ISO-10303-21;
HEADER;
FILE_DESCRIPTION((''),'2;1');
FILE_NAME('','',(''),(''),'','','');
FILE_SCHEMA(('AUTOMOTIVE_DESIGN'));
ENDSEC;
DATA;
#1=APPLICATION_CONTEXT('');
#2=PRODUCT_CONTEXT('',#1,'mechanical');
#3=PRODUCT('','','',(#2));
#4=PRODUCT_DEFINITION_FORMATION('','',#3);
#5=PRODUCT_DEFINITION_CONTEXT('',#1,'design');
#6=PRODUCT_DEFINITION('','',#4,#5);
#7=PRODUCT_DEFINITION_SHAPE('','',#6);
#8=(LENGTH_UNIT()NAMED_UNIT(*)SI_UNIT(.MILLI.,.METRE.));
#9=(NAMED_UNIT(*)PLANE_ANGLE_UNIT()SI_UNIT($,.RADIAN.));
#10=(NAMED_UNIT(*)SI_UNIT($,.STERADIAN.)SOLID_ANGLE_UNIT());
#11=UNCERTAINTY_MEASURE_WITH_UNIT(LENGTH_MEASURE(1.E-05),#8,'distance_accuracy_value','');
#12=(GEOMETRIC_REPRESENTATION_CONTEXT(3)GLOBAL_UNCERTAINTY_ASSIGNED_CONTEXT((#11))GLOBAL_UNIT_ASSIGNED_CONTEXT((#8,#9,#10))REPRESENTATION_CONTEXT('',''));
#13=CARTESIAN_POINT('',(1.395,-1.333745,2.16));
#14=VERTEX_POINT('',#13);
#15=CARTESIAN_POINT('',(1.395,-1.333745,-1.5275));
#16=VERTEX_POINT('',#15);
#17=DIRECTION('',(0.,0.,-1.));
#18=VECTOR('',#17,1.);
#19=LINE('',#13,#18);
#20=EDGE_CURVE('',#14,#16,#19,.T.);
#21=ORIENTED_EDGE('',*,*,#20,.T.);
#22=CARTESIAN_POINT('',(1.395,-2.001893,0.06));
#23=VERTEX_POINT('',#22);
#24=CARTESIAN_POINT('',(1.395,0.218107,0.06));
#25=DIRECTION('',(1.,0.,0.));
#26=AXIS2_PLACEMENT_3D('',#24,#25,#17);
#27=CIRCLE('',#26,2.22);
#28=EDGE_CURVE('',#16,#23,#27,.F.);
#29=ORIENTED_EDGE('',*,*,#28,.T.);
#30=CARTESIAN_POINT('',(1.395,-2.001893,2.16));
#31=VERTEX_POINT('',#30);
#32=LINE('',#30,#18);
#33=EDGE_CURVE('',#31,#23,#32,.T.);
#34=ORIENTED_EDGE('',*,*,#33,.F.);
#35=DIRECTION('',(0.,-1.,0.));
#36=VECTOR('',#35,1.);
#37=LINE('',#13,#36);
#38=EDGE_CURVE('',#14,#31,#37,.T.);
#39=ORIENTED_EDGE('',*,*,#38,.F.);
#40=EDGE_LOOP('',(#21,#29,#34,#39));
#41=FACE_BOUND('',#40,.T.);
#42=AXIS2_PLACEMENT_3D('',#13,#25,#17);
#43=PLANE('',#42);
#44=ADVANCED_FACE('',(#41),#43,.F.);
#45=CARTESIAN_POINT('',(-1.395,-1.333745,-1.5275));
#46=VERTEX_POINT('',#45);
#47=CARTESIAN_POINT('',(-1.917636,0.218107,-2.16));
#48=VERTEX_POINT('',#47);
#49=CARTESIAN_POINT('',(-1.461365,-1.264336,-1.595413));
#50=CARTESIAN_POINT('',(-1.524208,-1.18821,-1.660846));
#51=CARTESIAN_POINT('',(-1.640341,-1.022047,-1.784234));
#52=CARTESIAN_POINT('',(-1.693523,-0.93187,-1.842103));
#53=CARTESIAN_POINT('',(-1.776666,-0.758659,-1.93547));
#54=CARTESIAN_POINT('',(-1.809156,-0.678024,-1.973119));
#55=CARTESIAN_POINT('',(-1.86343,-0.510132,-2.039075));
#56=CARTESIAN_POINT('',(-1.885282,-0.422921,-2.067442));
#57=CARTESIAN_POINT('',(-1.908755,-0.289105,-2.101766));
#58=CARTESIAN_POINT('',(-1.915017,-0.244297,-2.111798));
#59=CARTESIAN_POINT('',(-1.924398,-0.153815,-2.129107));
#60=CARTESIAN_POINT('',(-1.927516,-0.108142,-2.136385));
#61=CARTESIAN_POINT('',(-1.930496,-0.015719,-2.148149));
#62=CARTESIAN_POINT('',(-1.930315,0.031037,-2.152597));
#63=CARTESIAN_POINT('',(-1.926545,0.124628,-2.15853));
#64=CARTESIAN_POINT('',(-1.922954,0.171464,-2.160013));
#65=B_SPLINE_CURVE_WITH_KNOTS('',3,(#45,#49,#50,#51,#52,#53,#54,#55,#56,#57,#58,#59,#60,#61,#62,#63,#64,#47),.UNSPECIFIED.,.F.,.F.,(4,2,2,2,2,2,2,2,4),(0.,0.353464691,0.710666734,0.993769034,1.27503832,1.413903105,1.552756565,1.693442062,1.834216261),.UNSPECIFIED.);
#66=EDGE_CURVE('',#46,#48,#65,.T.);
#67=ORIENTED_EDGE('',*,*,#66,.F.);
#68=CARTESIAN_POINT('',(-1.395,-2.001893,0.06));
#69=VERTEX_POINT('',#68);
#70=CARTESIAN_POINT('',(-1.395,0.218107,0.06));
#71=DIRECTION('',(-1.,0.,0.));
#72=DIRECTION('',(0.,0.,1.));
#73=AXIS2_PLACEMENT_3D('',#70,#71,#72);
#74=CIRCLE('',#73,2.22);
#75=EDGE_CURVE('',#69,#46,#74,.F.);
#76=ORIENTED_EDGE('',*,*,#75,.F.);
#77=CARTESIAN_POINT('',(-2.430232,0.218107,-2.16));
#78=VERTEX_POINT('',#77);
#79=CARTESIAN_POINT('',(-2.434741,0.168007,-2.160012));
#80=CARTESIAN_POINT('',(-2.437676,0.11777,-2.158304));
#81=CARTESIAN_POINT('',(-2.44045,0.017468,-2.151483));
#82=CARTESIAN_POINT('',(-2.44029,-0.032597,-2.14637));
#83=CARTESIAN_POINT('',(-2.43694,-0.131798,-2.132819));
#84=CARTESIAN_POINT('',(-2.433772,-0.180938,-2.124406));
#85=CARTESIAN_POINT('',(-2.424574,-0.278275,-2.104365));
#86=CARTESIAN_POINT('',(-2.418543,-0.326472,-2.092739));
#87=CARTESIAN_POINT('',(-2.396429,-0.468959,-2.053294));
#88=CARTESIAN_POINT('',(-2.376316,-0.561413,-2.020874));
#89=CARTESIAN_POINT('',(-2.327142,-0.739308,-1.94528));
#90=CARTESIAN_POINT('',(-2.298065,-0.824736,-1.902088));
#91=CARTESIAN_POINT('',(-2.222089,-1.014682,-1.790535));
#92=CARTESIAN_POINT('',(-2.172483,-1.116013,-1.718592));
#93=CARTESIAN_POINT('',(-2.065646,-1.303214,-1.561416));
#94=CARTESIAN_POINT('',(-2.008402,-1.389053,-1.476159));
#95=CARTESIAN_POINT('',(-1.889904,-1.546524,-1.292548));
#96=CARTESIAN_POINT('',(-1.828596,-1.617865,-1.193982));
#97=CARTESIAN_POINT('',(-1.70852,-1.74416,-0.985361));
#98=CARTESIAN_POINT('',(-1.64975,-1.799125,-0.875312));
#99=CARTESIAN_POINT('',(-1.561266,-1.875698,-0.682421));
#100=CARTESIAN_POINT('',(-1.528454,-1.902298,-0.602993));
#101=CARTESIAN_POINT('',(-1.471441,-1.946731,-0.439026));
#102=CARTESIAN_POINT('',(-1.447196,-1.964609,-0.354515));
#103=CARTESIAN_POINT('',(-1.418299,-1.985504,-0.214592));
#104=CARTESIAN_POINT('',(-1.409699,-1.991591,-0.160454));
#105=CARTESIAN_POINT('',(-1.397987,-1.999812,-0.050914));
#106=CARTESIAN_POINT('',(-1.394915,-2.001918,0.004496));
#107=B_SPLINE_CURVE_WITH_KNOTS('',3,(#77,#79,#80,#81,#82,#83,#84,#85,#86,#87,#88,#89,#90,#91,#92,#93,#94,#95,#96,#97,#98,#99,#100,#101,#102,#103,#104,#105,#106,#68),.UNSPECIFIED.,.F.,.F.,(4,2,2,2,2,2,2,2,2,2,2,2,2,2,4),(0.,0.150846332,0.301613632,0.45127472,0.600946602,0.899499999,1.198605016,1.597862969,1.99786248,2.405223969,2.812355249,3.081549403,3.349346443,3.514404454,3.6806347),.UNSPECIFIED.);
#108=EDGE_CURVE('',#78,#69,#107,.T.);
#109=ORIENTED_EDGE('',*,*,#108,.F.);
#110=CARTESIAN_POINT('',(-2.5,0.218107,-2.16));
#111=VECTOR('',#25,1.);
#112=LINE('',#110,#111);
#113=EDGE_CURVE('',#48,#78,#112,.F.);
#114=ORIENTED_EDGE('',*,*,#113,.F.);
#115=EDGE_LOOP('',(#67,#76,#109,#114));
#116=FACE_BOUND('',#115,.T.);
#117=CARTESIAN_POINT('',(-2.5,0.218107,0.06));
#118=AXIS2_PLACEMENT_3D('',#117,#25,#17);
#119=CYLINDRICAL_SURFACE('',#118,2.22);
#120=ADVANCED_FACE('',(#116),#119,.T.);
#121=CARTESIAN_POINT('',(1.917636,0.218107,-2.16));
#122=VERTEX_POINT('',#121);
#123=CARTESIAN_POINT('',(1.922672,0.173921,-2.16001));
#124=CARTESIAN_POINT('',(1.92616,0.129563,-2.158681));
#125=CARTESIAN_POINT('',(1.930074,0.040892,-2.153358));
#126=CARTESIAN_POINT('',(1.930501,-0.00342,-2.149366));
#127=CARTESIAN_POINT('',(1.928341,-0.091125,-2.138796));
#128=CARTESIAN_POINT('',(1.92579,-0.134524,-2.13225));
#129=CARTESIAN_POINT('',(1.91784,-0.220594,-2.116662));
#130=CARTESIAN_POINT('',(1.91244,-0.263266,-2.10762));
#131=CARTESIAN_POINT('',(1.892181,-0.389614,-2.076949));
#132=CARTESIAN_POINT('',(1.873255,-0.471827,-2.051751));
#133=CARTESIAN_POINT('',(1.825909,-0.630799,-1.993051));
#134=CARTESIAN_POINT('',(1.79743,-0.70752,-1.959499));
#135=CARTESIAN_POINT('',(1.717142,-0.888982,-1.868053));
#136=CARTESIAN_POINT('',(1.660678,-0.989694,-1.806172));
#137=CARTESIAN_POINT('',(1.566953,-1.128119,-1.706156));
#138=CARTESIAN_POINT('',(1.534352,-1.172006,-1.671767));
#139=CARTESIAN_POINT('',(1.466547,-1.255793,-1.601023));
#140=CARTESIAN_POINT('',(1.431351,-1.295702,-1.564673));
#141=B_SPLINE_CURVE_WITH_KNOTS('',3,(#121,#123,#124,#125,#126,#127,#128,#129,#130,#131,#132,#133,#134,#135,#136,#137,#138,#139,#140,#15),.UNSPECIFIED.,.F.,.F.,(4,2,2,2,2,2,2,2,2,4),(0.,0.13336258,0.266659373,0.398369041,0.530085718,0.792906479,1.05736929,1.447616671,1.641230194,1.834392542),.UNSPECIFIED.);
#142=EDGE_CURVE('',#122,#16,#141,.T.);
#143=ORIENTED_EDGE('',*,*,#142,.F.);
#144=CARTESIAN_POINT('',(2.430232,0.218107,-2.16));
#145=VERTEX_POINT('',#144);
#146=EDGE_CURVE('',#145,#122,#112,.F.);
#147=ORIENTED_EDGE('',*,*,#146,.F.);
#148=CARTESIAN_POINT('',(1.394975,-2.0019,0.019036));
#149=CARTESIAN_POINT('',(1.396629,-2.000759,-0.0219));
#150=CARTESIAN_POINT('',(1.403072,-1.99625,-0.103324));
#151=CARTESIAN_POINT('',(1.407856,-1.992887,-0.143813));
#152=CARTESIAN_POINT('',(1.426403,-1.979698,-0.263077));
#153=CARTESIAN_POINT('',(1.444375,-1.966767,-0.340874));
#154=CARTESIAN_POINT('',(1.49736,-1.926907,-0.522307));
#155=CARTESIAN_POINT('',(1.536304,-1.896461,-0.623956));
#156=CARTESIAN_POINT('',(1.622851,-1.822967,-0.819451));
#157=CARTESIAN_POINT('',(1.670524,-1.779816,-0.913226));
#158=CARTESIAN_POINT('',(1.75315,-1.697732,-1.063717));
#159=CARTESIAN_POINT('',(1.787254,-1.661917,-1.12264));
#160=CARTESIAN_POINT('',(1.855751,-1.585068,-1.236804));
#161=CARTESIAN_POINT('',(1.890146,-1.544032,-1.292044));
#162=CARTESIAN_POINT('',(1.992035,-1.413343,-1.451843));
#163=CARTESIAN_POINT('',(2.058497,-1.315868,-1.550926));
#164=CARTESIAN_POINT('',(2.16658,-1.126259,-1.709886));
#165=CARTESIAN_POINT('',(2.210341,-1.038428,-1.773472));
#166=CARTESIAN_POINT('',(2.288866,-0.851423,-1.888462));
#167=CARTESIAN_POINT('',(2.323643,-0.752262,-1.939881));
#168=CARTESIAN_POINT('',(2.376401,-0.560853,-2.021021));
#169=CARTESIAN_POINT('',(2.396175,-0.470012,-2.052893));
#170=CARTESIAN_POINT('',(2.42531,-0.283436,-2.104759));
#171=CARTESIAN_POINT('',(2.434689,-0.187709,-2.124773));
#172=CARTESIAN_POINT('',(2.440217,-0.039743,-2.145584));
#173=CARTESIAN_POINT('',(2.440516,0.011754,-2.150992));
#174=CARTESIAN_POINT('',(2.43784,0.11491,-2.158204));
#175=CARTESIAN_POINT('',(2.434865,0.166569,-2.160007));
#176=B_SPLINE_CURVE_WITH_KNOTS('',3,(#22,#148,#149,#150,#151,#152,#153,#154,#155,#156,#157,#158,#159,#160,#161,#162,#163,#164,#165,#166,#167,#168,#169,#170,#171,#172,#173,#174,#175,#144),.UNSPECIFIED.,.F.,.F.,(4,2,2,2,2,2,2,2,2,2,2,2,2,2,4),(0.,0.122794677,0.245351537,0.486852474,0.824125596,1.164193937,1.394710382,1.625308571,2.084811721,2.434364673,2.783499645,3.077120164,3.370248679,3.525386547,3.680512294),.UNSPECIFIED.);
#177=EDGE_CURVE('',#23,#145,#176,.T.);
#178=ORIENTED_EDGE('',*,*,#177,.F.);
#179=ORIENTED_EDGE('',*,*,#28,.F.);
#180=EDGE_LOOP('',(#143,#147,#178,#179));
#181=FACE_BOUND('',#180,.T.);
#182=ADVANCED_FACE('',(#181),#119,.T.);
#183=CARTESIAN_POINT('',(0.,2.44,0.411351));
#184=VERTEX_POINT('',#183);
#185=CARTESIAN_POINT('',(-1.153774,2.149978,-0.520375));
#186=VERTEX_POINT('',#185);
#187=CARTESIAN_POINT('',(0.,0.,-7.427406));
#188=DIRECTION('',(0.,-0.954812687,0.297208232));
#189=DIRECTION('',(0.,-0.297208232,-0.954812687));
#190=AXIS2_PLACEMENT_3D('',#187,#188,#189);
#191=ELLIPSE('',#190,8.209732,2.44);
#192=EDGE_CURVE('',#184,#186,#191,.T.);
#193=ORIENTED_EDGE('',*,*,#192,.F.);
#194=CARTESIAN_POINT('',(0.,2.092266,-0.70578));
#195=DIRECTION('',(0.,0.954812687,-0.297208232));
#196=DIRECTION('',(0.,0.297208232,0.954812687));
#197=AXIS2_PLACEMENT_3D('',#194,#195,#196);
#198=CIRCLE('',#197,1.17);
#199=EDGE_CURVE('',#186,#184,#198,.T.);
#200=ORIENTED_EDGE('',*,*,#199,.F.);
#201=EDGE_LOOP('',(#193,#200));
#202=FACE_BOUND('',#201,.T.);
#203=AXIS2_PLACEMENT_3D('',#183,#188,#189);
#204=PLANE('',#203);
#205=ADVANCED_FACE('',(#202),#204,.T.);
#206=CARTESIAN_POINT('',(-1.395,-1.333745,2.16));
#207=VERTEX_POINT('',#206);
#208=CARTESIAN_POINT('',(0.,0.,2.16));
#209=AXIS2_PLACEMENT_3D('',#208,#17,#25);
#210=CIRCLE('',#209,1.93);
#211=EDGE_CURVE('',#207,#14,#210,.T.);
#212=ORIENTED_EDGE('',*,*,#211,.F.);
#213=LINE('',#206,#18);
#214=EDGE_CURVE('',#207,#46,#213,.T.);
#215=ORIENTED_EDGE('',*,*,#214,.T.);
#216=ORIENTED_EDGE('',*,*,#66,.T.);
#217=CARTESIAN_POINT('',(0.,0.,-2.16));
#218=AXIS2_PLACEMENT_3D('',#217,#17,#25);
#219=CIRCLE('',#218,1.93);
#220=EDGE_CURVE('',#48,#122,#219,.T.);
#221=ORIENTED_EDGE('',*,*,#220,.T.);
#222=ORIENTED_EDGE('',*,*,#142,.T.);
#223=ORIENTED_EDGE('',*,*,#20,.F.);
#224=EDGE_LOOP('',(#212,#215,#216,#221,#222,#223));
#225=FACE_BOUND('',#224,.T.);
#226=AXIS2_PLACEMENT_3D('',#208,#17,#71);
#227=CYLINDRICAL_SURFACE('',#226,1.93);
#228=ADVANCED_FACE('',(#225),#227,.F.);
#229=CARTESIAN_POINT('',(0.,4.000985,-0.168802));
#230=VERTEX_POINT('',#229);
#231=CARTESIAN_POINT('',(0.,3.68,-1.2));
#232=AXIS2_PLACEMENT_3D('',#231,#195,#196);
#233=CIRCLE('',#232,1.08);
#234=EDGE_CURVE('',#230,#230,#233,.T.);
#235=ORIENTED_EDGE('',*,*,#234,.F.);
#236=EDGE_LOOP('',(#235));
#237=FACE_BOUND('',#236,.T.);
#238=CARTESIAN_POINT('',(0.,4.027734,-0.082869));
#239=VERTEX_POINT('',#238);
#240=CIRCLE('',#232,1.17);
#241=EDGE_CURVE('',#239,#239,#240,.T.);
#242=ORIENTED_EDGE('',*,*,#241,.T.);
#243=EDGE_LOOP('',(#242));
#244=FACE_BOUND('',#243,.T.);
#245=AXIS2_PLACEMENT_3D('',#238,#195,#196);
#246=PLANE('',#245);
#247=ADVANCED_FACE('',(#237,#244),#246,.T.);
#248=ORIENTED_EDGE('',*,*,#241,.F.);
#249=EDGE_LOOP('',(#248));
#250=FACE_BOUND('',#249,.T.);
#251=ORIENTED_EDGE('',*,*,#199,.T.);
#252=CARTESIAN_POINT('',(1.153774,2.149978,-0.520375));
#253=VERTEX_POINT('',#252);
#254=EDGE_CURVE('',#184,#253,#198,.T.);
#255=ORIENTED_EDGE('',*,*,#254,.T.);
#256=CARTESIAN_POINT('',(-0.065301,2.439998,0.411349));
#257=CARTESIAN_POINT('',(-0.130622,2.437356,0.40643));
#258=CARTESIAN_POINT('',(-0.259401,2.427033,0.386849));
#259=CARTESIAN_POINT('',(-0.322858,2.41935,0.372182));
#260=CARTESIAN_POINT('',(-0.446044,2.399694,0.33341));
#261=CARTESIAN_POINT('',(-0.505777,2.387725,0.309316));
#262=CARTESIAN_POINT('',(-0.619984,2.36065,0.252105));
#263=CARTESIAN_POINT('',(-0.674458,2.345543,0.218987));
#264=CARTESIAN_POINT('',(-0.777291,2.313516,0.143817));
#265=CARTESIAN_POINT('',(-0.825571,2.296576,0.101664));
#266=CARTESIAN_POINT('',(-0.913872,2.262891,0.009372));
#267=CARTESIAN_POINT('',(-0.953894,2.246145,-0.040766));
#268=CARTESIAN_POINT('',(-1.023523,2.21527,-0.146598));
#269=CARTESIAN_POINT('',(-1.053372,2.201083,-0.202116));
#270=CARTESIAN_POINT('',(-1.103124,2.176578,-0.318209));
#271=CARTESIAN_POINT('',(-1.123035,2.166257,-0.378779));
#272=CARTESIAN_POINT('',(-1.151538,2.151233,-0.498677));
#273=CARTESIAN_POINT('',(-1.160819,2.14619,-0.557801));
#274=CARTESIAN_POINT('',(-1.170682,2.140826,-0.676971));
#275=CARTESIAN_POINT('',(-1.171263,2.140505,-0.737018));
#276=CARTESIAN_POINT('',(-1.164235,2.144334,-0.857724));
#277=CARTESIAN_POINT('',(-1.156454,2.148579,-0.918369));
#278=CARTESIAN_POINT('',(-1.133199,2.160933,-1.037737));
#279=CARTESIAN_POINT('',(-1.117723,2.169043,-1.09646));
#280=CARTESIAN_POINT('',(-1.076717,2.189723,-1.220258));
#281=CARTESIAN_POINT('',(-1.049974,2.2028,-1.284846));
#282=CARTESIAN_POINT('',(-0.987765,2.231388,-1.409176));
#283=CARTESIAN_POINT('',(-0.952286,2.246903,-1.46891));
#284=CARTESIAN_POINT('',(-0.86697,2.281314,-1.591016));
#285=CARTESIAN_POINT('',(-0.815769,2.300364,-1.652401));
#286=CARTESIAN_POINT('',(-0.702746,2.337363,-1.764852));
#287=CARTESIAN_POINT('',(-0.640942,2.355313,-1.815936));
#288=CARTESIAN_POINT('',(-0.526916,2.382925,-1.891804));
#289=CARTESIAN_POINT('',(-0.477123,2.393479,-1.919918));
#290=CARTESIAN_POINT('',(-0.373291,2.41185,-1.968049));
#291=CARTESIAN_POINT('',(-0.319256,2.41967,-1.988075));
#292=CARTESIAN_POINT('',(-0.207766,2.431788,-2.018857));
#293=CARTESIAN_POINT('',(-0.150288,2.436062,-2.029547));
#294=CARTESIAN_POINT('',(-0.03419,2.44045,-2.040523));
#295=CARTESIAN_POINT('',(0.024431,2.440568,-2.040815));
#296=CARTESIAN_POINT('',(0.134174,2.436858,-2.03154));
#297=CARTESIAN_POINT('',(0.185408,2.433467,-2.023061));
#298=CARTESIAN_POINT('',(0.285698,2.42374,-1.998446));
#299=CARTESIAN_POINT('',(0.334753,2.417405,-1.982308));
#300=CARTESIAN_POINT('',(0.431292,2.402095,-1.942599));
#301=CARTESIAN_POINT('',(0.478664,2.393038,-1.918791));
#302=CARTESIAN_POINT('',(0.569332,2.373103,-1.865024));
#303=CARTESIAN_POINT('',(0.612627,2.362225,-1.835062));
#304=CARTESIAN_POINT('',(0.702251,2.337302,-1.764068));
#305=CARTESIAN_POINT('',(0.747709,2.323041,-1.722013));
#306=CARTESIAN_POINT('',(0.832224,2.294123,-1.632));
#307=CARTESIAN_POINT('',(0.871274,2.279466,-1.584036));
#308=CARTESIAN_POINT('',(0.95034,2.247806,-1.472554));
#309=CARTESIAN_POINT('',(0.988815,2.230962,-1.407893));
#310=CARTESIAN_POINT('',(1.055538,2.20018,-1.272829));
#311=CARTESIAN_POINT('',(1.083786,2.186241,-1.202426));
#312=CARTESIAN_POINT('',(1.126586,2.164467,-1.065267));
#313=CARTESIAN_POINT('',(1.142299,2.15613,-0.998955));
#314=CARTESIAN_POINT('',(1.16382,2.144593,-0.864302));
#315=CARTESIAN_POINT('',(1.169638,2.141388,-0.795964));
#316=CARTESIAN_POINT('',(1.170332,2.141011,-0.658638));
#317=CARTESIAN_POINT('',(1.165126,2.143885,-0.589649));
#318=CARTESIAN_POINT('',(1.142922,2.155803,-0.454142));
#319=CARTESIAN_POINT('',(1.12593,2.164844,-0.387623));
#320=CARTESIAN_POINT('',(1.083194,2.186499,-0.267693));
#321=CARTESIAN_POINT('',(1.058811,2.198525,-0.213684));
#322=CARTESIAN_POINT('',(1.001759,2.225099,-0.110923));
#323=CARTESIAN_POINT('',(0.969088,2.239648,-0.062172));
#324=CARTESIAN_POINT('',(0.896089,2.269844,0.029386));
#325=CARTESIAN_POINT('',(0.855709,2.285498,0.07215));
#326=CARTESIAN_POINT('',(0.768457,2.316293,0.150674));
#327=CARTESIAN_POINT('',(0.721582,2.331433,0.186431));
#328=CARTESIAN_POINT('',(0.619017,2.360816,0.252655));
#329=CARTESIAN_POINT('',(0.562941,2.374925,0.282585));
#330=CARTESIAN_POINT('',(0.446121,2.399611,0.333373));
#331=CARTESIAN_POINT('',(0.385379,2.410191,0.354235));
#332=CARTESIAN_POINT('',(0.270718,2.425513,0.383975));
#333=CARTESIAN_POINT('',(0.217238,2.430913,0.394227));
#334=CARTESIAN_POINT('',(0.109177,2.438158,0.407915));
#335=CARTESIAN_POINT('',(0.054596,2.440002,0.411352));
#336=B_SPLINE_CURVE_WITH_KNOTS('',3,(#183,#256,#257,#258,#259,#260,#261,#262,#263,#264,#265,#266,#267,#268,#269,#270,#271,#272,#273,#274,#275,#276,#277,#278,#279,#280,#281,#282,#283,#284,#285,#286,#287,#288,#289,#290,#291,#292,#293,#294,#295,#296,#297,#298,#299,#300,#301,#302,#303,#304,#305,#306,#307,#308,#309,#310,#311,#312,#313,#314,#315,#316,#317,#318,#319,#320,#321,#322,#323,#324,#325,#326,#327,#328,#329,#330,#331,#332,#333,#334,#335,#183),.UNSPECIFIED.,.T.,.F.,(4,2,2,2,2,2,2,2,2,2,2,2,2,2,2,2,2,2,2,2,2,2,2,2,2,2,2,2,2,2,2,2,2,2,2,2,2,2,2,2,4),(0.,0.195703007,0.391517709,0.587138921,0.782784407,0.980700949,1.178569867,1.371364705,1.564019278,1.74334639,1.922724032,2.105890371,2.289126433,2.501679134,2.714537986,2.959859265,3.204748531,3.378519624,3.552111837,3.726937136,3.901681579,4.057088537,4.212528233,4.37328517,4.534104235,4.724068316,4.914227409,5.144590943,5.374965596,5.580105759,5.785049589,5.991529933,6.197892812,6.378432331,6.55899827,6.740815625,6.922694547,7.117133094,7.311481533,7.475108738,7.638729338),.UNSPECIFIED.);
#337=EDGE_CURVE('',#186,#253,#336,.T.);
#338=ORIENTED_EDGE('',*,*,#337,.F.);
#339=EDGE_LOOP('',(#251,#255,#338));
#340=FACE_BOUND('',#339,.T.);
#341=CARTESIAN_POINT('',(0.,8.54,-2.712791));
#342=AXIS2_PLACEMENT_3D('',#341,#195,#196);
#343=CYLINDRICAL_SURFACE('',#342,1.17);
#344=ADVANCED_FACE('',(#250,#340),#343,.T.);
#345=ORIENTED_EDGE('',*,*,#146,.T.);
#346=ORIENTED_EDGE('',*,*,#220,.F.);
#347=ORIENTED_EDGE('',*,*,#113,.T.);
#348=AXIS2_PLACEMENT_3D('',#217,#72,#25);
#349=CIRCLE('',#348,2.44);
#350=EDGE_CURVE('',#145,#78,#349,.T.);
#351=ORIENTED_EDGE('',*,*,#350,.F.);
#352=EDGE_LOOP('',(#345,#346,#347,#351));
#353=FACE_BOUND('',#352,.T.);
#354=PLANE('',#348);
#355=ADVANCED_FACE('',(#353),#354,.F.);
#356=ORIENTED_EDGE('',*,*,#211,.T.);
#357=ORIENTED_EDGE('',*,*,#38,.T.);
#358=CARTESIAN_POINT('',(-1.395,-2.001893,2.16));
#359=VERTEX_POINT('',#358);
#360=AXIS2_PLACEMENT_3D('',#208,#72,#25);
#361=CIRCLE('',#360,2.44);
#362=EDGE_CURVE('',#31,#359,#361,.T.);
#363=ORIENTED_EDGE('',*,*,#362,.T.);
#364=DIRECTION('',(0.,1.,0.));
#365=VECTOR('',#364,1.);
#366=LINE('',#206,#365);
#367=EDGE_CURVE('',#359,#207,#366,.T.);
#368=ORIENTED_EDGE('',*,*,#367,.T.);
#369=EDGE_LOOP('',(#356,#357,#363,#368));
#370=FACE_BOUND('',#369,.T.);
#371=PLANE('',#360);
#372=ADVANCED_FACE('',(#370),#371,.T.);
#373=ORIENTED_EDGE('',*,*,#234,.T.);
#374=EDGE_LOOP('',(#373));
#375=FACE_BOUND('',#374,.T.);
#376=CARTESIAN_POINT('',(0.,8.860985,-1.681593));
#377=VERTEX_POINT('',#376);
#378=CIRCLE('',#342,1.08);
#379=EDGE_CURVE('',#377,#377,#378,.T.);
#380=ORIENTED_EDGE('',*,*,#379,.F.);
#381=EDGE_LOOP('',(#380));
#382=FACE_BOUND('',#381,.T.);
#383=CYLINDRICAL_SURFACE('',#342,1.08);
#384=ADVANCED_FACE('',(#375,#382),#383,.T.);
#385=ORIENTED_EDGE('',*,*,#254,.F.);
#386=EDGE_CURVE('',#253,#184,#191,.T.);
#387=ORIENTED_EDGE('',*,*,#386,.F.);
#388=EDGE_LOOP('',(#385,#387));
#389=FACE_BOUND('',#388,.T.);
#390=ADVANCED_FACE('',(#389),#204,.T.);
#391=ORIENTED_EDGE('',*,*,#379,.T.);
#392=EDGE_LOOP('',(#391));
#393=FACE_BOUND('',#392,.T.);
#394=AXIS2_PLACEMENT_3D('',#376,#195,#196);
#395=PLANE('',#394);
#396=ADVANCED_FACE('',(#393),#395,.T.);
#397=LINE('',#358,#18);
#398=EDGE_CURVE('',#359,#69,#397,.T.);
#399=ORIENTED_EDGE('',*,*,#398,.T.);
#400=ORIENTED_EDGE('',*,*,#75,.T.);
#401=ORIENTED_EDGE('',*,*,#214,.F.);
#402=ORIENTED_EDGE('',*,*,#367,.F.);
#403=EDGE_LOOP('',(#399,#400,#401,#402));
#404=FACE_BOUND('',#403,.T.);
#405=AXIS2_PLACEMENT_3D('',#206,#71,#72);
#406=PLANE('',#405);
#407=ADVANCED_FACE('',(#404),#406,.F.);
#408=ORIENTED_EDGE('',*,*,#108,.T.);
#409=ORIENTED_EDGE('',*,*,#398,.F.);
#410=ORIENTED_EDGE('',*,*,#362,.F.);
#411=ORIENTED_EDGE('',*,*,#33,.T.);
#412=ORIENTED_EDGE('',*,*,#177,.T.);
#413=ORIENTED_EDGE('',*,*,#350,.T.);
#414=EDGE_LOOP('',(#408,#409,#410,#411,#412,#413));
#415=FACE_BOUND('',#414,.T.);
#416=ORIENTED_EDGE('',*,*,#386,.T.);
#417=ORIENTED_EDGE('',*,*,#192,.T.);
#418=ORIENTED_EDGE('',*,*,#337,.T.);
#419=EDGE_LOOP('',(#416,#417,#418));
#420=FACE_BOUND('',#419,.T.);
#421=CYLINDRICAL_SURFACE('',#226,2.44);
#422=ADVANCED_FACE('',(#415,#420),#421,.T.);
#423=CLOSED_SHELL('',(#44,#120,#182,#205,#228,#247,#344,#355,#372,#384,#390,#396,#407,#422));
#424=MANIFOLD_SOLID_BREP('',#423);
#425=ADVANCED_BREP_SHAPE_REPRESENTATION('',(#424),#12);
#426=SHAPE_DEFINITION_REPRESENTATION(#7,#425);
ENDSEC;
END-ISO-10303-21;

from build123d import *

# Parameters (mm, degrees)
EXTRUDE_2_DEPTH     = 2.16
CUT_EXTRUDE_1_DEPTH = 2.5
CUT_EXTRUDE_2_REACH = 5.744
SKETCH_4_R          = 1.93


with BuildPart() as part:
    # 스케치1 → 보스-돌출2 (new body, symmetric)
    with BuildSketch(Plane.XY):
        with BuildLine():
            Line((-1.395, -1.333744728), (-1.395, -2.001892854))
            ThreePointArc((-1.395, -2.001892854), (0, 2.44), (1.395, -2.001892854))
            Line((1.395, -2.001892854), (1.395, -1.333744728))
            ThreePointArc((1.395, -1.333744728), (0, 1.93), (-1.395, -1.333744728))
        make_face()
    extrude(amount=EXTRUDE_2_DEPTH, both=True)

    # 스케치2 → 컷-돌출1 (cut, symmetric)
    with BuildSketch(Plane(origin=(0, 0, 0), x_dir=(0, 0, -1), z_dir=(1, 0, 0))):
        with BuildLine():
            Line((2.16, -2.001892854), (-0.06, -2.001892854))
            ThreePointArc((-0.06, -2.001892854), (1.509777054, -1.351669909), (2.16, 0.218107146))
            Line((2.16, 0.218107146), (2.16, -2.001892854))
        make_face()
    extrude(amount=CUT_EXTRUDE_1_DEPTH, both=True, mode=Mode.SUBTRACT)

    # 스케치3 → 회전1 (revolve)
    with BuildSketch(Plane(origin=(0, 0, 0), x_dir=(0, 0, -1), z_dir=(1, 0, 0))):
        Polygon((2.712790969, 8.54), (0.705780021, 2.092266368), (-0.411350823, 2.44), (0.082869157, 4.027733632), (0.168802298, 4.000984891), (1.681593267, 8.860984891), align=None)
    revolve(axis=Axis((0, 8.54, -2.712790969), (0, -0.954812687, 0.297208232)))

    # 스케치4 → 컷-돌출2 (cut, up to next)
    with BuildSketch(Plane.XY, mode=Mode.PRIVATE) as cut_extrude_2_sk1:
        Circle(SKETCH_4_R)
    cut_extrude_2_tool1 = extrude(cut_extrude_2_sk1.sketch, amount=-CUT_EXTRUDE_2_REACH, mode=Mode.PRIVATE) & part.part
    add(cut_extrude_2_tool1.solids().sort_by_distance((0, 0, 0))[0], mode=Mode.SUBTRACT)


solid = part.part
